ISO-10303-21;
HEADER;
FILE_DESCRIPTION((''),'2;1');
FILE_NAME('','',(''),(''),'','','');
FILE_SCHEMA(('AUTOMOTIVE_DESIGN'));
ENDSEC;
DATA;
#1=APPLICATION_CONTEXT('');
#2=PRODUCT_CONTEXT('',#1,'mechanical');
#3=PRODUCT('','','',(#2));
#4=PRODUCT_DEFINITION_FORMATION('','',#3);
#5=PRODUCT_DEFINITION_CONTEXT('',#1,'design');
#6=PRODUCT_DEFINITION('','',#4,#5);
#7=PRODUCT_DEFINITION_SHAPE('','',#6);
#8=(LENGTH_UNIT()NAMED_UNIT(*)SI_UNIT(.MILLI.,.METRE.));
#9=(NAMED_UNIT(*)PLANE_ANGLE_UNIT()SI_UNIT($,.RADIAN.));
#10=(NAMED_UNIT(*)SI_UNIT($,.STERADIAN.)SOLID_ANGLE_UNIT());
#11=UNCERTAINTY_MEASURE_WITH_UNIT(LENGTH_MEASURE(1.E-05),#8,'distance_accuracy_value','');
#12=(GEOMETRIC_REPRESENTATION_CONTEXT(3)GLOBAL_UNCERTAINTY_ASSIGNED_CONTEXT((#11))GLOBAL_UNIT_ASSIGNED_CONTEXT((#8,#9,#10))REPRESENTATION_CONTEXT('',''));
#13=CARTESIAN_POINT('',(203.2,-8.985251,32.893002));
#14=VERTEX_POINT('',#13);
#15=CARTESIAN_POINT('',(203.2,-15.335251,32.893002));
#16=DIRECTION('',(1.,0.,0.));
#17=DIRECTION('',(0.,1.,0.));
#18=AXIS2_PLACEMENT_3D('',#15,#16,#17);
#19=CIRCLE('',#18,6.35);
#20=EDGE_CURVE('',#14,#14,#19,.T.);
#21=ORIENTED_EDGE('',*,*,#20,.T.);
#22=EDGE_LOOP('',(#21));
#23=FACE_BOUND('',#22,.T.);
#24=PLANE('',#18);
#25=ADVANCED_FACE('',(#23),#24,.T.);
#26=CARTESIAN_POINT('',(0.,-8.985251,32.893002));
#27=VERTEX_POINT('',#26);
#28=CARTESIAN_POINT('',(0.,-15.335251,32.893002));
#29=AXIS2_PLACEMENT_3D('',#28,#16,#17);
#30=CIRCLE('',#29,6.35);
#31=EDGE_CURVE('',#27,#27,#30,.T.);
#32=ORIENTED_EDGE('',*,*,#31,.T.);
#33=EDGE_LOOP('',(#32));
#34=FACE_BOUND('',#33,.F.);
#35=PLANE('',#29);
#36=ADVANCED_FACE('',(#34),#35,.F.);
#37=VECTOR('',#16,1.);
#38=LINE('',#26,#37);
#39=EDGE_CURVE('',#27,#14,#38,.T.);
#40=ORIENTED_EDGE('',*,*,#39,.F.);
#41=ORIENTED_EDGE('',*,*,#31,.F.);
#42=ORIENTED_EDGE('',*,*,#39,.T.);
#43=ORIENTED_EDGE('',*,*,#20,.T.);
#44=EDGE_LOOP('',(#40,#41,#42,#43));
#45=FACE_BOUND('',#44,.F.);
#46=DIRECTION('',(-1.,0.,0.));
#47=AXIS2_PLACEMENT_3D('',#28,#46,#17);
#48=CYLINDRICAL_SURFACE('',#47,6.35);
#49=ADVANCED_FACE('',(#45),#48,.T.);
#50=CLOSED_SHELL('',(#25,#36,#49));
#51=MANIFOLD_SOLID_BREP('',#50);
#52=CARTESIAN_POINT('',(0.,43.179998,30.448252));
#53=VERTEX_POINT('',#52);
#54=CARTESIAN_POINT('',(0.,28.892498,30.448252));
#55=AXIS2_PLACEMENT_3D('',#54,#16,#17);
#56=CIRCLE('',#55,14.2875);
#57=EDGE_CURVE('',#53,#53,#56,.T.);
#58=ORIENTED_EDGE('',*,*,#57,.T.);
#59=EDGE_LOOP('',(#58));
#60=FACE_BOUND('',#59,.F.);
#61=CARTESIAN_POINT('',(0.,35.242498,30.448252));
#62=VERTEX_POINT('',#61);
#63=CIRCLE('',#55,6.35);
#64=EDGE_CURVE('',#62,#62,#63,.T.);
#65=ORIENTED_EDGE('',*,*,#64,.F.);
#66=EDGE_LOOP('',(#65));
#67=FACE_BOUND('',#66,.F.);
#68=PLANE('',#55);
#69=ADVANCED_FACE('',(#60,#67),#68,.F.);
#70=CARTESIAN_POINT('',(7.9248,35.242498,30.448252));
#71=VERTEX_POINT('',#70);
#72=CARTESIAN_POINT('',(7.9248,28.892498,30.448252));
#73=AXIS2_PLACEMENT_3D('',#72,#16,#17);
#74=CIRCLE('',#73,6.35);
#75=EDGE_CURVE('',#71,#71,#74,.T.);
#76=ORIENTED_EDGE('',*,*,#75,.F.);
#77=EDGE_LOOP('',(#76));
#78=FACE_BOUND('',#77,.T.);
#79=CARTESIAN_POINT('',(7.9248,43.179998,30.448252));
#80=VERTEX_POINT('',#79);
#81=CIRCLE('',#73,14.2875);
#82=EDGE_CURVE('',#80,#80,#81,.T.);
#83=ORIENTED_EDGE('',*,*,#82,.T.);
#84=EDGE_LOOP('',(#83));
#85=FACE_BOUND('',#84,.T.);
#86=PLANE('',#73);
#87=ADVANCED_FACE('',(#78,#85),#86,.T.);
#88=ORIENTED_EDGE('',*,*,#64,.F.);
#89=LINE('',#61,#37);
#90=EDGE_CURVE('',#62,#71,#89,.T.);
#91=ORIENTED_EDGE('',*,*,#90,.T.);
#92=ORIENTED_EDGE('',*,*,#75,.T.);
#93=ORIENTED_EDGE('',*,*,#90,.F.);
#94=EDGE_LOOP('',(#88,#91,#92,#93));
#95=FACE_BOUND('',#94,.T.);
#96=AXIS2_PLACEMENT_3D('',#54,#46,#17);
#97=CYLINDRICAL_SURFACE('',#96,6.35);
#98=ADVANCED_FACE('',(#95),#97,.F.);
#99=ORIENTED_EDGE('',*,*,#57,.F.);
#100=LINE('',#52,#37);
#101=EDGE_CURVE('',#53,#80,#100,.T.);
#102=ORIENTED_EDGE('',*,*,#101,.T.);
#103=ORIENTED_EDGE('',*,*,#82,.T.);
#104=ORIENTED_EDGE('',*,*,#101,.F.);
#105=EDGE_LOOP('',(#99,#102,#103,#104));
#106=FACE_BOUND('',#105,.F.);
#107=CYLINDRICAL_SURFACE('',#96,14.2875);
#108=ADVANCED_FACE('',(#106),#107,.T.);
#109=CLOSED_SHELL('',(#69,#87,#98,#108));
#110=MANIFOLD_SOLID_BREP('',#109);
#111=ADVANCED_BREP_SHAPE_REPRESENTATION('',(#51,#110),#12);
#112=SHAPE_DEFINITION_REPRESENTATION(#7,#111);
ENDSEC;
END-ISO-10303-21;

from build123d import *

# Parameters (mm, degrees)
F0_R     = 6.35
F1_DEPTH = 203.2
F2_R     = 14.2875
F2_R_2   = 6.35
F3_DEPTH = 7.9248


with BuildPart() as f1:
    # F0 (on Right) → F1 (new body)
    with BuildSketch(Plane.YZ):
        with Locations((-15.335251, 32.893002)):
            Circle(F0_R)
    extrude(amount=F1_DEPTH)


with BuildPart() as f3:
    # F2 (on Right) → F3 (new body)
    with BuildSketch(Plane.YZ):
        with Locations((28.892498, 30.448252)):
            Circle(F2_R)
        with Locations((28.892498, 30.448252)):
            Circle(F2_R_2, mode=Mode.SUBTRACT)
    extrude(amount=F3_DEPTH)


solid = Compound([f1.part, f3.part])
